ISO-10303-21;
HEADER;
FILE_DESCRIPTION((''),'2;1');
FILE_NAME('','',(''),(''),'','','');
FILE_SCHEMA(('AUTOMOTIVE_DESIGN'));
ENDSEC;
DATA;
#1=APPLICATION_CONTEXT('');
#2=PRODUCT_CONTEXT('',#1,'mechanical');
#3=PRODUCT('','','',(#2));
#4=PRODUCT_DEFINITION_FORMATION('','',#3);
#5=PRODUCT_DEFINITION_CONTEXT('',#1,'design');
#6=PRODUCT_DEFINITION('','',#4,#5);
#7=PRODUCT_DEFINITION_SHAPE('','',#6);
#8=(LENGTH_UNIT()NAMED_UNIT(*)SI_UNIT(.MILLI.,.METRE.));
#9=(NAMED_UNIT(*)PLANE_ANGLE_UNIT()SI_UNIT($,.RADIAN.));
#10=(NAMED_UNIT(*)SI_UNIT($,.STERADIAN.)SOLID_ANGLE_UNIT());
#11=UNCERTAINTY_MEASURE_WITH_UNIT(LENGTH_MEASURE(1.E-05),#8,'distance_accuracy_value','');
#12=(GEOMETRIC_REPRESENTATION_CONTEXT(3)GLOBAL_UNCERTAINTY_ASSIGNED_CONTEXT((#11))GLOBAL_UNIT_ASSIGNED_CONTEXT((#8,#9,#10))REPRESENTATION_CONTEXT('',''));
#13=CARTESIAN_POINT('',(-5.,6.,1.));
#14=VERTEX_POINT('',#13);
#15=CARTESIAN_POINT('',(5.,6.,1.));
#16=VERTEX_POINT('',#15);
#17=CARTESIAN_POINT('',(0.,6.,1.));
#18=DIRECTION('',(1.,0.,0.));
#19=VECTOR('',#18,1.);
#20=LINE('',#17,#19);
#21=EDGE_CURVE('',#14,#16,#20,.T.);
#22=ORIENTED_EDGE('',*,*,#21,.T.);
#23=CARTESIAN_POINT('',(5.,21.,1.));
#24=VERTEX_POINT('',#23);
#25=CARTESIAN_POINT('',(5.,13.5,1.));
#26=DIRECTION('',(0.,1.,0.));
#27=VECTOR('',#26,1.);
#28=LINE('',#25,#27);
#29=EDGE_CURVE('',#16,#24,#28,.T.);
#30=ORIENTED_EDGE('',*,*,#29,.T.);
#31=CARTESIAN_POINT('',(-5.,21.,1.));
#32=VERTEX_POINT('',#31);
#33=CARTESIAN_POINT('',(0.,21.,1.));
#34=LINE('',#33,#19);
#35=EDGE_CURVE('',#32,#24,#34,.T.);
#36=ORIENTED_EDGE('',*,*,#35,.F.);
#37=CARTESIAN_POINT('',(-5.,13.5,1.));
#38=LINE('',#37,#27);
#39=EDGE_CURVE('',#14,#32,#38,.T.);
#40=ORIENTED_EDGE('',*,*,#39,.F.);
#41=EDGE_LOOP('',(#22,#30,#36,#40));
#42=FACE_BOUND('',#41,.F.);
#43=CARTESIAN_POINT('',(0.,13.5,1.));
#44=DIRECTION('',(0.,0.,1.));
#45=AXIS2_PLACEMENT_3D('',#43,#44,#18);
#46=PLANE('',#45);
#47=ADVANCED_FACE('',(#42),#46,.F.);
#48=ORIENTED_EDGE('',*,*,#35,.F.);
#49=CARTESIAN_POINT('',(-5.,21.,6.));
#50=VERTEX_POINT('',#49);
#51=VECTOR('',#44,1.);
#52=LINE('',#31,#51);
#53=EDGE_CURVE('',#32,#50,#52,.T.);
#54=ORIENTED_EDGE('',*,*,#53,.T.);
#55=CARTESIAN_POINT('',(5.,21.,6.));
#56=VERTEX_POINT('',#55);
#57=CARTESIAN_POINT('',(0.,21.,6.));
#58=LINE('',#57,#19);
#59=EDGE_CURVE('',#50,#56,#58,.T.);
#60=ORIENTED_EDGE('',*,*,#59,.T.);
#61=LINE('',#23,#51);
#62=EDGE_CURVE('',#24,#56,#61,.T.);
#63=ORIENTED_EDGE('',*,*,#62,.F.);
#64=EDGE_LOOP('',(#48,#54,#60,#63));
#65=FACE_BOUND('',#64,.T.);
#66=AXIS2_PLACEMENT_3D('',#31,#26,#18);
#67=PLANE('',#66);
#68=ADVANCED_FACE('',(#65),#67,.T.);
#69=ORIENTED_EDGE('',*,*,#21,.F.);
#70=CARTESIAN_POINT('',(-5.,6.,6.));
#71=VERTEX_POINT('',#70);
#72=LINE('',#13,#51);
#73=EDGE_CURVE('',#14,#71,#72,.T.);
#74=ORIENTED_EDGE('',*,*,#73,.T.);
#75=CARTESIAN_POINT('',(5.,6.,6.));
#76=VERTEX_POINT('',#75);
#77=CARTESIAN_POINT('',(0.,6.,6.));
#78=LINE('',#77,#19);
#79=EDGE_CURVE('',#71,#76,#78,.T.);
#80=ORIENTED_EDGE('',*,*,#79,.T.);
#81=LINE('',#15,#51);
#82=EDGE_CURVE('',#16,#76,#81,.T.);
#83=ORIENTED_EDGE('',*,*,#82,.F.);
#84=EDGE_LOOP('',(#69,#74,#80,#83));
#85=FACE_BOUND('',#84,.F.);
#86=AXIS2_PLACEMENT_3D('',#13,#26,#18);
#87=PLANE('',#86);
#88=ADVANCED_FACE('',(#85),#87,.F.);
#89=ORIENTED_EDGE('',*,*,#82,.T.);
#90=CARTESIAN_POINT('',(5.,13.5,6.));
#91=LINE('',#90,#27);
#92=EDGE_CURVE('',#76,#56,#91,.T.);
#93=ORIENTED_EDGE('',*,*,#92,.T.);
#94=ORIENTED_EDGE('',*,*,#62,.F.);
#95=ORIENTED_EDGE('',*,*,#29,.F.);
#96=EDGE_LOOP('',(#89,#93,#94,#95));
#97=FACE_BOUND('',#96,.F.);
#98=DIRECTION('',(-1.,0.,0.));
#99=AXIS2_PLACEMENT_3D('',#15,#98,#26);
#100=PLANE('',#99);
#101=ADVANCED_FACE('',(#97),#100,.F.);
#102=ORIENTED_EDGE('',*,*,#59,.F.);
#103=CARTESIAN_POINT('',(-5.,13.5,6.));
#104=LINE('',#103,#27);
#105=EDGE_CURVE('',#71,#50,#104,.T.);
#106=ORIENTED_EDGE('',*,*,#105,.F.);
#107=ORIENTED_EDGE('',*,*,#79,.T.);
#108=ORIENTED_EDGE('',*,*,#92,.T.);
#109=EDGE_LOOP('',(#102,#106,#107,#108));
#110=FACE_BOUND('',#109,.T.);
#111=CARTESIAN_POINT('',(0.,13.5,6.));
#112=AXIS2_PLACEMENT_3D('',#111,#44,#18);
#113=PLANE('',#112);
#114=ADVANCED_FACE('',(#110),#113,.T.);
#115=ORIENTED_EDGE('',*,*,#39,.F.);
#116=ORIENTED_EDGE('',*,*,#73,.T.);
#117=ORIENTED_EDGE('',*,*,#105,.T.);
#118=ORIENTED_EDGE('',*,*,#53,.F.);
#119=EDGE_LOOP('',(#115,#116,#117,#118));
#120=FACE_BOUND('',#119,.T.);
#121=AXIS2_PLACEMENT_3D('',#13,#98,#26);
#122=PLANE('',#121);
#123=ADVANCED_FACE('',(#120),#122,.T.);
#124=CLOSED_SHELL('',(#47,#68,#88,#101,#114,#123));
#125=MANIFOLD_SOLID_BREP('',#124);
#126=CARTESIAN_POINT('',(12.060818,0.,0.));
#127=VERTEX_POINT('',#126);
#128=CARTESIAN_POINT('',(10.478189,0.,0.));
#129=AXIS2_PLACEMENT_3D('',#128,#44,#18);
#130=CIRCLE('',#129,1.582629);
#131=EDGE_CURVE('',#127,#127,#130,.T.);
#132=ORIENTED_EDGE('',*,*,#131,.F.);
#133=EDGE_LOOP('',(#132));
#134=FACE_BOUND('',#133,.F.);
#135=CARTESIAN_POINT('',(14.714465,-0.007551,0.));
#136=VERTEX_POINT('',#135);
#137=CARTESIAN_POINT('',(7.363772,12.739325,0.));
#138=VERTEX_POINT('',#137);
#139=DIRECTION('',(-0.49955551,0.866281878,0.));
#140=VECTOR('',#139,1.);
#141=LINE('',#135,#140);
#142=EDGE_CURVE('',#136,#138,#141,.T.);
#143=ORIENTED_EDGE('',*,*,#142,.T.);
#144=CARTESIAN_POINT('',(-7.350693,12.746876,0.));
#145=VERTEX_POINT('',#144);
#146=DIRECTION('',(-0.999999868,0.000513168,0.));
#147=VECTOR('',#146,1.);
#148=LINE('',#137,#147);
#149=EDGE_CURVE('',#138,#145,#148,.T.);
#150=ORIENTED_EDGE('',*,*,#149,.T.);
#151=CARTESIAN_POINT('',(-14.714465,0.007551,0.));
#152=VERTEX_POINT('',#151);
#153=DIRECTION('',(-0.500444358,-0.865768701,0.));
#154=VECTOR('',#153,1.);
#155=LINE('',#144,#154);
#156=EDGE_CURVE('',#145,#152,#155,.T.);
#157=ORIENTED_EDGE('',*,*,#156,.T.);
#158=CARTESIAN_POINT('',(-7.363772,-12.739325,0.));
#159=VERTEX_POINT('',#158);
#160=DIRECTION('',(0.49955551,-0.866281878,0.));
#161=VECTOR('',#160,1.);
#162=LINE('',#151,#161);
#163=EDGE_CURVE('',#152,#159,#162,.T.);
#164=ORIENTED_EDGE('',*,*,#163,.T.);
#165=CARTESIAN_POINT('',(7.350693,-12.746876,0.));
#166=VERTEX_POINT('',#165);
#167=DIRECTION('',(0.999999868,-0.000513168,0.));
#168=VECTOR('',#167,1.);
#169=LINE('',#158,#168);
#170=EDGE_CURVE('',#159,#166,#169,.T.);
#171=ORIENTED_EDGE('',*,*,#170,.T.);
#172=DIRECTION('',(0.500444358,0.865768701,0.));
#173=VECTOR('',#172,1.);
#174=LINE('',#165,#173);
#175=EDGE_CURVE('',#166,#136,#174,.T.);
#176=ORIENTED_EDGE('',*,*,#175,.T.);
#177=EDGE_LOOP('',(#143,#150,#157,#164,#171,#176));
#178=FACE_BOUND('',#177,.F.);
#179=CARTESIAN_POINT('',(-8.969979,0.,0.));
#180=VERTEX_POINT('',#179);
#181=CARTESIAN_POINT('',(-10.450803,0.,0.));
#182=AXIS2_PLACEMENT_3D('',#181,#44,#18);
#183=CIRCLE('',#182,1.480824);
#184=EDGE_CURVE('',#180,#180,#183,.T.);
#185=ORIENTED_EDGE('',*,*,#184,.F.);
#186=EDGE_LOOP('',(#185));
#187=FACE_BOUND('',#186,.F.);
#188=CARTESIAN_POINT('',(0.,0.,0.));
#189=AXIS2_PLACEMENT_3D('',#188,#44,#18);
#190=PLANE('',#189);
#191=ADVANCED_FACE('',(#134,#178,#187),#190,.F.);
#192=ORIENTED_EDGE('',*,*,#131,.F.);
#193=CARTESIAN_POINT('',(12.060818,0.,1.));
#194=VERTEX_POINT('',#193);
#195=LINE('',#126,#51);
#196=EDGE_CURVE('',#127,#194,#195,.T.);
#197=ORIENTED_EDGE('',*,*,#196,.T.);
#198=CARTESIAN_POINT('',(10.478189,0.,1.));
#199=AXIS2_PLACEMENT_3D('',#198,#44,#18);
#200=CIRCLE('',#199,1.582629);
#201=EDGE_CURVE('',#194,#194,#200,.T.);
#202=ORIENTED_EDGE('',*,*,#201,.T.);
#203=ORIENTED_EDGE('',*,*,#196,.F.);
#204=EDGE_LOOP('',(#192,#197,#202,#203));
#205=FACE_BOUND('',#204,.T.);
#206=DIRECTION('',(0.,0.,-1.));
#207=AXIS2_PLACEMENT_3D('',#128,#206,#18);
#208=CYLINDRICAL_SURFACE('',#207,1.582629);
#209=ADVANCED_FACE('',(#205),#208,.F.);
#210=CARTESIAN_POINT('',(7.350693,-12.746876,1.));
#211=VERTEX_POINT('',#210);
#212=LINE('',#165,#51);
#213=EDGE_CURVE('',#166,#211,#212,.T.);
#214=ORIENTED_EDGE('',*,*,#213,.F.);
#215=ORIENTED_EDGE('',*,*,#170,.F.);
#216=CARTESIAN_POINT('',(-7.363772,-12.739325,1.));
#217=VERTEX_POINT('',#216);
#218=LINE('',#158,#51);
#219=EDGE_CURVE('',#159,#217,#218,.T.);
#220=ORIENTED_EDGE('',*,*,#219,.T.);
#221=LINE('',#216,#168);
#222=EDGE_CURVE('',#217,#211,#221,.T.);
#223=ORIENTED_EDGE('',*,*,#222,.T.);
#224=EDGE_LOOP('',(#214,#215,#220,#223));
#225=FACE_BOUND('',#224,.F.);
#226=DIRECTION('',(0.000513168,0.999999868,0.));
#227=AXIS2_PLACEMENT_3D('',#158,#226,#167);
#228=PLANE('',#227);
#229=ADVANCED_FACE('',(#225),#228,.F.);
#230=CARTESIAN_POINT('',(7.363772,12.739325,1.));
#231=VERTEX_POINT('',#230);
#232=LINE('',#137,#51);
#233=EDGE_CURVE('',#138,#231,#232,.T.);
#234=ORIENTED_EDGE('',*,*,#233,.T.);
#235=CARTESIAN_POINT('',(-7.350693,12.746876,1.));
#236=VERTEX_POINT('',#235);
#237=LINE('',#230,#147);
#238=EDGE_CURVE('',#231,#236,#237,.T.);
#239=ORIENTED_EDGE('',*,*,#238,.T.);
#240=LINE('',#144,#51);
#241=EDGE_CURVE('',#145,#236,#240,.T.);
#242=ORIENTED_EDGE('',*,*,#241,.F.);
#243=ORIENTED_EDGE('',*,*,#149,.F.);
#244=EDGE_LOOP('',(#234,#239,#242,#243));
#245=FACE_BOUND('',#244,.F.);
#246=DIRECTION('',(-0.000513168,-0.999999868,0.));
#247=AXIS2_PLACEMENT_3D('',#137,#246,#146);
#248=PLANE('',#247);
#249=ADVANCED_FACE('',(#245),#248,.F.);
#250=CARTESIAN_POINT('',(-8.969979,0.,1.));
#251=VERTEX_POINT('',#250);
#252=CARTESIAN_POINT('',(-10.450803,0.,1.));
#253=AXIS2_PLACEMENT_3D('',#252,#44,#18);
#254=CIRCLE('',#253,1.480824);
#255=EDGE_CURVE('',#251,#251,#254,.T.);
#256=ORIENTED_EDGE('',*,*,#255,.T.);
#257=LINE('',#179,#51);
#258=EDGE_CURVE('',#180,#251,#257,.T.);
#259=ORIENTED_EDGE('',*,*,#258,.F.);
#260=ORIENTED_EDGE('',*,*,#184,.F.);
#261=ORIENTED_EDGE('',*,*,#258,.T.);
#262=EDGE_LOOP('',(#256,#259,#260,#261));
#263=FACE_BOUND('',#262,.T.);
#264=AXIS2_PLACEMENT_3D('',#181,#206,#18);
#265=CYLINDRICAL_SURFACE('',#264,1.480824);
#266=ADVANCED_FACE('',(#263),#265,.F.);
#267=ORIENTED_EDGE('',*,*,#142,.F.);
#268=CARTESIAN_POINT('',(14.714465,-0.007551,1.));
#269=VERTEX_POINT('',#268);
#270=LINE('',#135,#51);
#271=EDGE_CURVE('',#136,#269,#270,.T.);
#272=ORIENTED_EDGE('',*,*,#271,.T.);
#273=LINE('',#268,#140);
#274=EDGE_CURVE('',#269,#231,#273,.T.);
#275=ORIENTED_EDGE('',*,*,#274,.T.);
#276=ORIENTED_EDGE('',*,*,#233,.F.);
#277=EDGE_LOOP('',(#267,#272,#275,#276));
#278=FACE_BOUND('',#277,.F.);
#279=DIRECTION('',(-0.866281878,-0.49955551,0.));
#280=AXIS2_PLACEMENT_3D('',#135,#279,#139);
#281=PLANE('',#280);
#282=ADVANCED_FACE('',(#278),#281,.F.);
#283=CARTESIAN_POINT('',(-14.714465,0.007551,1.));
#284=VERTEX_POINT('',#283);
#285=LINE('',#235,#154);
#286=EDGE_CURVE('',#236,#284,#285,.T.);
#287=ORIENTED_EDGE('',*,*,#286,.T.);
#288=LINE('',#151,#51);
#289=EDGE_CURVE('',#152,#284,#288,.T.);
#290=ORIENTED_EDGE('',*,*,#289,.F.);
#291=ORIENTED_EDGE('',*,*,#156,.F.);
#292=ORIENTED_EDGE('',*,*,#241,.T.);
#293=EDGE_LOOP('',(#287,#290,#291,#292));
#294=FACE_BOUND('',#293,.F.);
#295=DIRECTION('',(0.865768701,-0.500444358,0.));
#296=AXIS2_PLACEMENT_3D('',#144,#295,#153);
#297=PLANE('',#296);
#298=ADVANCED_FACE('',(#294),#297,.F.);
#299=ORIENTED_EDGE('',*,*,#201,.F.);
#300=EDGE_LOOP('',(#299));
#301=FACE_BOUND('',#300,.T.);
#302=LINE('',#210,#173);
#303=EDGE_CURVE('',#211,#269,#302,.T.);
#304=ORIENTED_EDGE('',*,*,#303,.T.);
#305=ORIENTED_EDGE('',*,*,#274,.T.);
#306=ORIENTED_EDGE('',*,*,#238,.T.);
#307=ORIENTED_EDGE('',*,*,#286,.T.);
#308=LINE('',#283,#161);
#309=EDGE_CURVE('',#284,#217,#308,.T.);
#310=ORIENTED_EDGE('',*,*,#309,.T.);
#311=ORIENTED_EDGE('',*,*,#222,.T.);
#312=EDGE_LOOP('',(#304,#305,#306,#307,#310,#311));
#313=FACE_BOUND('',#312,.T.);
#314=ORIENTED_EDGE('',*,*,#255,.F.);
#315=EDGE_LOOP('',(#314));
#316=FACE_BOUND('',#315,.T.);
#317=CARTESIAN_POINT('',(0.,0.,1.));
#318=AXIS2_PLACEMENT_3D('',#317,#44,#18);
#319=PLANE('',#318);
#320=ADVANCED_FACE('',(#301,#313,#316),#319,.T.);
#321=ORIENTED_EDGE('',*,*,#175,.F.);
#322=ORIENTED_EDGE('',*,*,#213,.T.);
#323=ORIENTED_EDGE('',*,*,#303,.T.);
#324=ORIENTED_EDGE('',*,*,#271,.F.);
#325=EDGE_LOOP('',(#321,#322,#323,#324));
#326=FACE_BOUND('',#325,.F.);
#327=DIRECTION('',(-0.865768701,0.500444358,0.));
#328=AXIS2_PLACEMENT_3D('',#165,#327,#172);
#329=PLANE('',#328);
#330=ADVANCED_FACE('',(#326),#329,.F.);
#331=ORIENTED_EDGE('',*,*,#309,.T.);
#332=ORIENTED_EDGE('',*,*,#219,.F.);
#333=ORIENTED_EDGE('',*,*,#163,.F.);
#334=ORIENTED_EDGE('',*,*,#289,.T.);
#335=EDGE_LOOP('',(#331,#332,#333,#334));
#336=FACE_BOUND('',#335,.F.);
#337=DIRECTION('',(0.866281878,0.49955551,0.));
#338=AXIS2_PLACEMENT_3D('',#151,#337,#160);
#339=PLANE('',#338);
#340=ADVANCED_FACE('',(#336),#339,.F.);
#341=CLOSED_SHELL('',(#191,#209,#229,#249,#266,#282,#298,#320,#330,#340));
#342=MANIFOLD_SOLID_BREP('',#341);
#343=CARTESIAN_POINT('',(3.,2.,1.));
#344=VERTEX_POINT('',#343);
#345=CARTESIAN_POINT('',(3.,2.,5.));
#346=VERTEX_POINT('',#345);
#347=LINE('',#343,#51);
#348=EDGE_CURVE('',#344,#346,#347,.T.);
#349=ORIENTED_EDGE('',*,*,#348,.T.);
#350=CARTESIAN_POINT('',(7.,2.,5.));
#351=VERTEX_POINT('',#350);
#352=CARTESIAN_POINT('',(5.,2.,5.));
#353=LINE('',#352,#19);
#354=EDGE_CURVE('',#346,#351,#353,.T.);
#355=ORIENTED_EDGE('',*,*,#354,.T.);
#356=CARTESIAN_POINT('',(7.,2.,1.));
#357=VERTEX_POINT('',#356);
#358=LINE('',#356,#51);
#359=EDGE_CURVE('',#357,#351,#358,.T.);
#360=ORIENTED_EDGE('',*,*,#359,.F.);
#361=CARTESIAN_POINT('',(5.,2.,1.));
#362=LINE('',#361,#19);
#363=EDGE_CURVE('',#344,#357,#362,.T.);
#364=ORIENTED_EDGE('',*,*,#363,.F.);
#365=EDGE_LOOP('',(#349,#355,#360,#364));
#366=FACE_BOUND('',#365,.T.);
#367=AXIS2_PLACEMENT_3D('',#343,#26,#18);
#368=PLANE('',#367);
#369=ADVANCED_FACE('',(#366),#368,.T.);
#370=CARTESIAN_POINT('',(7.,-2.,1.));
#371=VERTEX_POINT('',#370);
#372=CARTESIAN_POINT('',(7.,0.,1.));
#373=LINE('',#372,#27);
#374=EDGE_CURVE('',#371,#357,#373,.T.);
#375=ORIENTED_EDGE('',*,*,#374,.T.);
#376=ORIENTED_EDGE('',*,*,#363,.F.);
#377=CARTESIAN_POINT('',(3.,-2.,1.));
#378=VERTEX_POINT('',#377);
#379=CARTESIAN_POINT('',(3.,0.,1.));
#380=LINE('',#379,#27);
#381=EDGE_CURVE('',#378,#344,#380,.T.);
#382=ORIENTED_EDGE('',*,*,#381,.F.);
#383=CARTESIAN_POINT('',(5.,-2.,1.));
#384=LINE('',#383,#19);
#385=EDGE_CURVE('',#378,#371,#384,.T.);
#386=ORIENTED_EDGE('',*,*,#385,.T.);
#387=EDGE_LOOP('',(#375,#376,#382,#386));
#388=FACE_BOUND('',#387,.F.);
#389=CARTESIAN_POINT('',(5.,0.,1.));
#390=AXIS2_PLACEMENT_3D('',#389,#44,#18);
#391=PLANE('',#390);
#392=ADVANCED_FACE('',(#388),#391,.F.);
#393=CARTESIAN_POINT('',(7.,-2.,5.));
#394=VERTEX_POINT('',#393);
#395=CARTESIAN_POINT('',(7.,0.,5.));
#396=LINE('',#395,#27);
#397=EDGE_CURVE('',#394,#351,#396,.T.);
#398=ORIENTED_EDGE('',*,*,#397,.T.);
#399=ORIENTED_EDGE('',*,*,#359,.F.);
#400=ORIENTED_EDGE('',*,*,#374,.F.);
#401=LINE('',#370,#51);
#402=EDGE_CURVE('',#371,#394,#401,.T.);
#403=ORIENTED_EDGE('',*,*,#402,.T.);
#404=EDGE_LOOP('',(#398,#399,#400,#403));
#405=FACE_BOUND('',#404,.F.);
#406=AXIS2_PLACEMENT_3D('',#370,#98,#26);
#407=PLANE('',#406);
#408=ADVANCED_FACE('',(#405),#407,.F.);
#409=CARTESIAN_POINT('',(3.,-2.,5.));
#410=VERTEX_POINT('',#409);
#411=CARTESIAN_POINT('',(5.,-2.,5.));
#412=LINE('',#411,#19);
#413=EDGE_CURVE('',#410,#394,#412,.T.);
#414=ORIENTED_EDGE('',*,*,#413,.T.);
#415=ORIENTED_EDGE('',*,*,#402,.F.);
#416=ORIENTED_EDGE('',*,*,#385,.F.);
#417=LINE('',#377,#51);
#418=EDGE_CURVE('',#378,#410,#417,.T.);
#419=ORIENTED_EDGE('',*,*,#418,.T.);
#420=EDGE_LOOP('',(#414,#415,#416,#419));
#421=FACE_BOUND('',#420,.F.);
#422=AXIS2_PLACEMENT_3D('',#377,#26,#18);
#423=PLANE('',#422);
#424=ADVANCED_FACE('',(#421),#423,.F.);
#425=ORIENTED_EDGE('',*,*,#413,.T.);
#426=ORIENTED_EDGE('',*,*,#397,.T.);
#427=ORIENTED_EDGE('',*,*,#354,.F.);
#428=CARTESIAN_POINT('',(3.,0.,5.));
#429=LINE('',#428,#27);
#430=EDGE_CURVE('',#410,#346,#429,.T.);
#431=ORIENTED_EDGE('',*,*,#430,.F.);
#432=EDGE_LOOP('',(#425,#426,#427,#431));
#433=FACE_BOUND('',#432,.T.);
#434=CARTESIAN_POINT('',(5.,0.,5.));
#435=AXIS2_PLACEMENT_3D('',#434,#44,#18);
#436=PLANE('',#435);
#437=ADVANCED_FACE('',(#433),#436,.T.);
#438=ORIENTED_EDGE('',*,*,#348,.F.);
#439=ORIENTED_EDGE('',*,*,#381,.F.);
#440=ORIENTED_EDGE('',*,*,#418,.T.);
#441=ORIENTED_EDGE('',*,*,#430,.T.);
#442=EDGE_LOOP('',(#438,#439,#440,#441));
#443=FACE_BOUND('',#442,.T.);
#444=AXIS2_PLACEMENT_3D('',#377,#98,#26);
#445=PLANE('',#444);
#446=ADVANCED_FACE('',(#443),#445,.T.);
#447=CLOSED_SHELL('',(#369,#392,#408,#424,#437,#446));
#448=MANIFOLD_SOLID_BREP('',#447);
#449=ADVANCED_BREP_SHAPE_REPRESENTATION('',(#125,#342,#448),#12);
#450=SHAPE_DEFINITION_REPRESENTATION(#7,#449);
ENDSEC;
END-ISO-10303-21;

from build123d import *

# Parameters (mm, degrees)
SKETCH_R     = 1.480824
SKETCH_R_2   = 1.582629
PAD_DEPTH    = 1
BOX_W        = 10
BOX_H        = 15
BOX_DEPTH    = 5
BOX001_W     = 4
BOX001_H     = 4
BOX001_DEPTH = 4


with BuildPart() as body_hexagon:
    # Sketch → Pad (new body)
    with BuildSketch(Plane.XY):
        Polygon((7.363772, 12.739325), (-7.350693, 12.746876), (-14.714465, 0.007551), (-7.363772, -12.739325), (7.350693, -12.746876), (14.714465, -0.007551), align=None)
        with Locations((-10.450803, 0)):
            Circle(SKETCH_R, mode=Mode.SUBTRACT)
        with Locations((10.478189, 0)):
            Circle(SKETCH_R_2, mode=Mode.SUBTRACT)
    extrude(amount=PAD_DEPTH)


with BuildPart() as vcc:
    # Box → Box (new body)
    with BuildSketch(Plane(origin=(-5, 6, 1), x_dir=(1, 0, 0), z_dir=(0, 0, 1))):
        with Locations((5, 7.5)):
            Rectangle(BOX_W, BOX_H)
    extrude(amount=BOX_DEPTH)


with BuildPart() as elemento1:
    # Box001 → Box001 (new body)
    with BuildSketch(Plane(origin=(3, -2, 1), x_dir=(1, 0, 0), z_dir=(0, 0, 1))):
        with Locations((2, 2)):
            Rectangle(BOX001_W, BOX001_H)
    extrude(amount=BOX001_DEPTH)


solid = Compound([body_hexagon.part, vcc.part, elemento1.part])
